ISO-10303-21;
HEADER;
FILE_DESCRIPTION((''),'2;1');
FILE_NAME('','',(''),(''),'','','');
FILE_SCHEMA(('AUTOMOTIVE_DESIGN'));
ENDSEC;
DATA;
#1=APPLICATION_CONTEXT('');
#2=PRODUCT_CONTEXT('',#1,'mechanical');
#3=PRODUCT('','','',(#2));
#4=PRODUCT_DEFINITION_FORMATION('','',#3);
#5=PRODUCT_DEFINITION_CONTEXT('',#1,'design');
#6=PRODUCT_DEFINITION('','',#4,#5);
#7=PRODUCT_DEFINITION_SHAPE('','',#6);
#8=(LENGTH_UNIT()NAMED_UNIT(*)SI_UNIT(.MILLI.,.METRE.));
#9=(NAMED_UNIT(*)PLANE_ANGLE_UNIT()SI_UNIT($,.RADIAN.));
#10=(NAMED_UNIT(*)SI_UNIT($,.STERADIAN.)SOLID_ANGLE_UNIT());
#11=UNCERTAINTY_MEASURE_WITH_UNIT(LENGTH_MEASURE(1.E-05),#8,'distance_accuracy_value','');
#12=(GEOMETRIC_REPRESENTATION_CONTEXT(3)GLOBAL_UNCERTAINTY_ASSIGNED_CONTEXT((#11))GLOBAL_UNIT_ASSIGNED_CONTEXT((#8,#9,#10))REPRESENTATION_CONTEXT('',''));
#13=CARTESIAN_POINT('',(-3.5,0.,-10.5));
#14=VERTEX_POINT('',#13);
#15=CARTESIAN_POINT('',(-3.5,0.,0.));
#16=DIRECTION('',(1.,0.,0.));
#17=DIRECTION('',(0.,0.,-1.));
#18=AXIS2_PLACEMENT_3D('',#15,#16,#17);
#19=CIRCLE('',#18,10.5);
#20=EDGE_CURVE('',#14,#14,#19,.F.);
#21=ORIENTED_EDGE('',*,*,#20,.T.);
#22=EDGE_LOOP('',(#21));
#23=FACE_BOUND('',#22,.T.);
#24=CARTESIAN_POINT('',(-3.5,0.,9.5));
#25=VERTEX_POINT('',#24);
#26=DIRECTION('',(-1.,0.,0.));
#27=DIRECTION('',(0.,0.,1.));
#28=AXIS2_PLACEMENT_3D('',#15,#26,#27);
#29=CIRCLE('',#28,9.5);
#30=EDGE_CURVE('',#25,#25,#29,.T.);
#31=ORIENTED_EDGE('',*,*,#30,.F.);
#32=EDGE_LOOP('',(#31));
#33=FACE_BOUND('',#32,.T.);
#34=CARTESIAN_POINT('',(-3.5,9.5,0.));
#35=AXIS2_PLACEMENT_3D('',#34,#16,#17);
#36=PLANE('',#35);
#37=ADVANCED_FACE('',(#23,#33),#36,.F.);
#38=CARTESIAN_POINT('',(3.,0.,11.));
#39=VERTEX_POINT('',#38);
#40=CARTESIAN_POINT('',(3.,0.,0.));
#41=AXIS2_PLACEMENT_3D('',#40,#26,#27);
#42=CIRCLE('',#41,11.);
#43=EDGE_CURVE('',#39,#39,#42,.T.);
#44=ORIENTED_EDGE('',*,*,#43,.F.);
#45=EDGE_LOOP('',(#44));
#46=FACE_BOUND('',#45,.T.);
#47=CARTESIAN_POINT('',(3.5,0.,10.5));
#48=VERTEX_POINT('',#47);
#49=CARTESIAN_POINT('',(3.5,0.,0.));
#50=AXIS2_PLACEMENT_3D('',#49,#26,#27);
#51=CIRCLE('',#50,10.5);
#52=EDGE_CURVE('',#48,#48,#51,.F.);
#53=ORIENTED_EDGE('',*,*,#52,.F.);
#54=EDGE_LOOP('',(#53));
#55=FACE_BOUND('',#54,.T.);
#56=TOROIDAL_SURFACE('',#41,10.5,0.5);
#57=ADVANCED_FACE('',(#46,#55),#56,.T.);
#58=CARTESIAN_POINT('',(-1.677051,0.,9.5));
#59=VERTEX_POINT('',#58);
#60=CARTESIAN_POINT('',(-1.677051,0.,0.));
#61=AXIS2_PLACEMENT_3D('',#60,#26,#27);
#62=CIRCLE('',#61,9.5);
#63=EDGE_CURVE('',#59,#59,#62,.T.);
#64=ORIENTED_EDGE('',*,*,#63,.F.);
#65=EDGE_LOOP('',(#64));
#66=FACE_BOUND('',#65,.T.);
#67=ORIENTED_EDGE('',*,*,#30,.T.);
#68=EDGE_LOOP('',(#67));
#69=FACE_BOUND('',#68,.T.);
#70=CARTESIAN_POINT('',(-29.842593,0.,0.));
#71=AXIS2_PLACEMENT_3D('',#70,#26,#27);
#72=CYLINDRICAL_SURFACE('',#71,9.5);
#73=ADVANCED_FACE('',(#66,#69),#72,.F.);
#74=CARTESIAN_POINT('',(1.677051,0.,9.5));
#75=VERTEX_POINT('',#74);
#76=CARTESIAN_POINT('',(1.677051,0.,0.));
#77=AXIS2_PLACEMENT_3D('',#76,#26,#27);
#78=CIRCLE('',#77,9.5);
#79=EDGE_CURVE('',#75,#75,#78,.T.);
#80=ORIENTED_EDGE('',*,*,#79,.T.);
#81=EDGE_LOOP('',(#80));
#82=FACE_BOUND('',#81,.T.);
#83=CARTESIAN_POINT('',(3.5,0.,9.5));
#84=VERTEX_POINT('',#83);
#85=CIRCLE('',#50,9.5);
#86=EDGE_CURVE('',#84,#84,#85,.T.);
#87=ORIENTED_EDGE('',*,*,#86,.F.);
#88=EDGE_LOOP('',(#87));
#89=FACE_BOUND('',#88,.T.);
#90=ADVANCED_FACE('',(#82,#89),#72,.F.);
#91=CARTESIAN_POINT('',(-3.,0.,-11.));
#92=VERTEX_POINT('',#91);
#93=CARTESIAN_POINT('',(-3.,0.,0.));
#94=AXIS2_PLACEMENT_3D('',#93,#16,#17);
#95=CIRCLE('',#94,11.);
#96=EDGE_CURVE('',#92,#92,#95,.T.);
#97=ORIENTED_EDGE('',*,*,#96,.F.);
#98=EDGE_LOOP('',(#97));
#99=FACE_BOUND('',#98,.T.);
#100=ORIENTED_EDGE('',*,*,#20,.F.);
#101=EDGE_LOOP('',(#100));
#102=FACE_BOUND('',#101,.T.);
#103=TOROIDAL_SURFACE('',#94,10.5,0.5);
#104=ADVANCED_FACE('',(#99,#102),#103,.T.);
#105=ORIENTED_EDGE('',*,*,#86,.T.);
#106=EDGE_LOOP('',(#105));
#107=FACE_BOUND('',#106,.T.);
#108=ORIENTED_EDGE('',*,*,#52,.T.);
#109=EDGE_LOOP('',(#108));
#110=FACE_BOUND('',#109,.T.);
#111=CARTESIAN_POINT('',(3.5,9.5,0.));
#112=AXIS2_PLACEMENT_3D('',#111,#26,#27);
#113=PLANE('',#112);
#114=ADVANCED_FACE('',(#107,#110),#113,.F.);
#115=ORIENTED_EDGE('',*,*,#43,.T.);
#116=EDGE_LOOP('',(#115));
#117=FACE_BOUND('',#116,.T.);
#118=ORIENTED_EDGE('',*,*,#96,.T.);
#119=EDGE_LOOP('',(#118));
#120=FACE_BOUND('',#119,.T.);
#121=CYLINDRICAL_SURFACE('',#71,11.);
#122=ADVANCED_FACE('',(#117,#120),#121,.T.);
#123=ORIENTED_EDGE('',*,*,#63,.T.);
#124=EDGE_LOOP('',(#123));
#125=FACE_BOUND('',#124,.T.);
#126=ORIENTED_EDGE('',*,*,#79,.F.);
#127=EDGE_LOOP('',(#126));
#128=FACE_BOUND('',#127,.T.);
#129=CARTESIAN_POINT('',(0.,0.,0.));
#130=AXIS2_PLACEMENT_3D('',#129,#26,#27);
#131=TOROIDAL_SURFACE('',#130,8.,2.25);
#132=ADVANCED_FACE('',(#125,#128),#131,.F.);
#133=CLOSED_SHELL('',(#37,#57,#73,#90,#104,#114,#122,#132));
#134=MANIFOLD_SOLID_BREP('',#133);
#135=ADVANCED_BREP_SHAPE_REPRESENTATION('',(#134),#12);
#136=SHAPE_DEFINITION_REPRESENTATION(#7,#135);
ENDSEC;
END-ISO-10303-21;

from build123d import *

# Parameters (mm, degrees)
FILLET1_R = 0.5


with BuildPart() as part:
    # Sketch1 → Revolve1 (revolve)
    with BuildSketch(Plane.XY):
        with BuildLine():
            Line((-3.5, 9.5), (-1.677050983, 9.5))
            ThreePointArc((-1.677050983, 9.5), (0, 10.25), (1.677050983, 9.5))
            Line((1.677050983, 9.5), (3.5, 9.5))
            Line((3.5, 9.5), (3.5, 11))
            Line((3.5, 11), (-3.5, 11))
            Line((-3.5, 11), (-3.5, 9.5))
        make_face()
    revolve(axis=Axis((-29.842592593, 0, 0), (1, 0, 0)))

    # Fillet1
    fillet1_edges = [part.edges().sort_by_distance(p)[0] for p in [
        (3.5, -11, 0),
        (-3.5, -11, 0),
    ]]
    fillet(fillet1_edges, radius=FILLET1_R)


solid = part.part
